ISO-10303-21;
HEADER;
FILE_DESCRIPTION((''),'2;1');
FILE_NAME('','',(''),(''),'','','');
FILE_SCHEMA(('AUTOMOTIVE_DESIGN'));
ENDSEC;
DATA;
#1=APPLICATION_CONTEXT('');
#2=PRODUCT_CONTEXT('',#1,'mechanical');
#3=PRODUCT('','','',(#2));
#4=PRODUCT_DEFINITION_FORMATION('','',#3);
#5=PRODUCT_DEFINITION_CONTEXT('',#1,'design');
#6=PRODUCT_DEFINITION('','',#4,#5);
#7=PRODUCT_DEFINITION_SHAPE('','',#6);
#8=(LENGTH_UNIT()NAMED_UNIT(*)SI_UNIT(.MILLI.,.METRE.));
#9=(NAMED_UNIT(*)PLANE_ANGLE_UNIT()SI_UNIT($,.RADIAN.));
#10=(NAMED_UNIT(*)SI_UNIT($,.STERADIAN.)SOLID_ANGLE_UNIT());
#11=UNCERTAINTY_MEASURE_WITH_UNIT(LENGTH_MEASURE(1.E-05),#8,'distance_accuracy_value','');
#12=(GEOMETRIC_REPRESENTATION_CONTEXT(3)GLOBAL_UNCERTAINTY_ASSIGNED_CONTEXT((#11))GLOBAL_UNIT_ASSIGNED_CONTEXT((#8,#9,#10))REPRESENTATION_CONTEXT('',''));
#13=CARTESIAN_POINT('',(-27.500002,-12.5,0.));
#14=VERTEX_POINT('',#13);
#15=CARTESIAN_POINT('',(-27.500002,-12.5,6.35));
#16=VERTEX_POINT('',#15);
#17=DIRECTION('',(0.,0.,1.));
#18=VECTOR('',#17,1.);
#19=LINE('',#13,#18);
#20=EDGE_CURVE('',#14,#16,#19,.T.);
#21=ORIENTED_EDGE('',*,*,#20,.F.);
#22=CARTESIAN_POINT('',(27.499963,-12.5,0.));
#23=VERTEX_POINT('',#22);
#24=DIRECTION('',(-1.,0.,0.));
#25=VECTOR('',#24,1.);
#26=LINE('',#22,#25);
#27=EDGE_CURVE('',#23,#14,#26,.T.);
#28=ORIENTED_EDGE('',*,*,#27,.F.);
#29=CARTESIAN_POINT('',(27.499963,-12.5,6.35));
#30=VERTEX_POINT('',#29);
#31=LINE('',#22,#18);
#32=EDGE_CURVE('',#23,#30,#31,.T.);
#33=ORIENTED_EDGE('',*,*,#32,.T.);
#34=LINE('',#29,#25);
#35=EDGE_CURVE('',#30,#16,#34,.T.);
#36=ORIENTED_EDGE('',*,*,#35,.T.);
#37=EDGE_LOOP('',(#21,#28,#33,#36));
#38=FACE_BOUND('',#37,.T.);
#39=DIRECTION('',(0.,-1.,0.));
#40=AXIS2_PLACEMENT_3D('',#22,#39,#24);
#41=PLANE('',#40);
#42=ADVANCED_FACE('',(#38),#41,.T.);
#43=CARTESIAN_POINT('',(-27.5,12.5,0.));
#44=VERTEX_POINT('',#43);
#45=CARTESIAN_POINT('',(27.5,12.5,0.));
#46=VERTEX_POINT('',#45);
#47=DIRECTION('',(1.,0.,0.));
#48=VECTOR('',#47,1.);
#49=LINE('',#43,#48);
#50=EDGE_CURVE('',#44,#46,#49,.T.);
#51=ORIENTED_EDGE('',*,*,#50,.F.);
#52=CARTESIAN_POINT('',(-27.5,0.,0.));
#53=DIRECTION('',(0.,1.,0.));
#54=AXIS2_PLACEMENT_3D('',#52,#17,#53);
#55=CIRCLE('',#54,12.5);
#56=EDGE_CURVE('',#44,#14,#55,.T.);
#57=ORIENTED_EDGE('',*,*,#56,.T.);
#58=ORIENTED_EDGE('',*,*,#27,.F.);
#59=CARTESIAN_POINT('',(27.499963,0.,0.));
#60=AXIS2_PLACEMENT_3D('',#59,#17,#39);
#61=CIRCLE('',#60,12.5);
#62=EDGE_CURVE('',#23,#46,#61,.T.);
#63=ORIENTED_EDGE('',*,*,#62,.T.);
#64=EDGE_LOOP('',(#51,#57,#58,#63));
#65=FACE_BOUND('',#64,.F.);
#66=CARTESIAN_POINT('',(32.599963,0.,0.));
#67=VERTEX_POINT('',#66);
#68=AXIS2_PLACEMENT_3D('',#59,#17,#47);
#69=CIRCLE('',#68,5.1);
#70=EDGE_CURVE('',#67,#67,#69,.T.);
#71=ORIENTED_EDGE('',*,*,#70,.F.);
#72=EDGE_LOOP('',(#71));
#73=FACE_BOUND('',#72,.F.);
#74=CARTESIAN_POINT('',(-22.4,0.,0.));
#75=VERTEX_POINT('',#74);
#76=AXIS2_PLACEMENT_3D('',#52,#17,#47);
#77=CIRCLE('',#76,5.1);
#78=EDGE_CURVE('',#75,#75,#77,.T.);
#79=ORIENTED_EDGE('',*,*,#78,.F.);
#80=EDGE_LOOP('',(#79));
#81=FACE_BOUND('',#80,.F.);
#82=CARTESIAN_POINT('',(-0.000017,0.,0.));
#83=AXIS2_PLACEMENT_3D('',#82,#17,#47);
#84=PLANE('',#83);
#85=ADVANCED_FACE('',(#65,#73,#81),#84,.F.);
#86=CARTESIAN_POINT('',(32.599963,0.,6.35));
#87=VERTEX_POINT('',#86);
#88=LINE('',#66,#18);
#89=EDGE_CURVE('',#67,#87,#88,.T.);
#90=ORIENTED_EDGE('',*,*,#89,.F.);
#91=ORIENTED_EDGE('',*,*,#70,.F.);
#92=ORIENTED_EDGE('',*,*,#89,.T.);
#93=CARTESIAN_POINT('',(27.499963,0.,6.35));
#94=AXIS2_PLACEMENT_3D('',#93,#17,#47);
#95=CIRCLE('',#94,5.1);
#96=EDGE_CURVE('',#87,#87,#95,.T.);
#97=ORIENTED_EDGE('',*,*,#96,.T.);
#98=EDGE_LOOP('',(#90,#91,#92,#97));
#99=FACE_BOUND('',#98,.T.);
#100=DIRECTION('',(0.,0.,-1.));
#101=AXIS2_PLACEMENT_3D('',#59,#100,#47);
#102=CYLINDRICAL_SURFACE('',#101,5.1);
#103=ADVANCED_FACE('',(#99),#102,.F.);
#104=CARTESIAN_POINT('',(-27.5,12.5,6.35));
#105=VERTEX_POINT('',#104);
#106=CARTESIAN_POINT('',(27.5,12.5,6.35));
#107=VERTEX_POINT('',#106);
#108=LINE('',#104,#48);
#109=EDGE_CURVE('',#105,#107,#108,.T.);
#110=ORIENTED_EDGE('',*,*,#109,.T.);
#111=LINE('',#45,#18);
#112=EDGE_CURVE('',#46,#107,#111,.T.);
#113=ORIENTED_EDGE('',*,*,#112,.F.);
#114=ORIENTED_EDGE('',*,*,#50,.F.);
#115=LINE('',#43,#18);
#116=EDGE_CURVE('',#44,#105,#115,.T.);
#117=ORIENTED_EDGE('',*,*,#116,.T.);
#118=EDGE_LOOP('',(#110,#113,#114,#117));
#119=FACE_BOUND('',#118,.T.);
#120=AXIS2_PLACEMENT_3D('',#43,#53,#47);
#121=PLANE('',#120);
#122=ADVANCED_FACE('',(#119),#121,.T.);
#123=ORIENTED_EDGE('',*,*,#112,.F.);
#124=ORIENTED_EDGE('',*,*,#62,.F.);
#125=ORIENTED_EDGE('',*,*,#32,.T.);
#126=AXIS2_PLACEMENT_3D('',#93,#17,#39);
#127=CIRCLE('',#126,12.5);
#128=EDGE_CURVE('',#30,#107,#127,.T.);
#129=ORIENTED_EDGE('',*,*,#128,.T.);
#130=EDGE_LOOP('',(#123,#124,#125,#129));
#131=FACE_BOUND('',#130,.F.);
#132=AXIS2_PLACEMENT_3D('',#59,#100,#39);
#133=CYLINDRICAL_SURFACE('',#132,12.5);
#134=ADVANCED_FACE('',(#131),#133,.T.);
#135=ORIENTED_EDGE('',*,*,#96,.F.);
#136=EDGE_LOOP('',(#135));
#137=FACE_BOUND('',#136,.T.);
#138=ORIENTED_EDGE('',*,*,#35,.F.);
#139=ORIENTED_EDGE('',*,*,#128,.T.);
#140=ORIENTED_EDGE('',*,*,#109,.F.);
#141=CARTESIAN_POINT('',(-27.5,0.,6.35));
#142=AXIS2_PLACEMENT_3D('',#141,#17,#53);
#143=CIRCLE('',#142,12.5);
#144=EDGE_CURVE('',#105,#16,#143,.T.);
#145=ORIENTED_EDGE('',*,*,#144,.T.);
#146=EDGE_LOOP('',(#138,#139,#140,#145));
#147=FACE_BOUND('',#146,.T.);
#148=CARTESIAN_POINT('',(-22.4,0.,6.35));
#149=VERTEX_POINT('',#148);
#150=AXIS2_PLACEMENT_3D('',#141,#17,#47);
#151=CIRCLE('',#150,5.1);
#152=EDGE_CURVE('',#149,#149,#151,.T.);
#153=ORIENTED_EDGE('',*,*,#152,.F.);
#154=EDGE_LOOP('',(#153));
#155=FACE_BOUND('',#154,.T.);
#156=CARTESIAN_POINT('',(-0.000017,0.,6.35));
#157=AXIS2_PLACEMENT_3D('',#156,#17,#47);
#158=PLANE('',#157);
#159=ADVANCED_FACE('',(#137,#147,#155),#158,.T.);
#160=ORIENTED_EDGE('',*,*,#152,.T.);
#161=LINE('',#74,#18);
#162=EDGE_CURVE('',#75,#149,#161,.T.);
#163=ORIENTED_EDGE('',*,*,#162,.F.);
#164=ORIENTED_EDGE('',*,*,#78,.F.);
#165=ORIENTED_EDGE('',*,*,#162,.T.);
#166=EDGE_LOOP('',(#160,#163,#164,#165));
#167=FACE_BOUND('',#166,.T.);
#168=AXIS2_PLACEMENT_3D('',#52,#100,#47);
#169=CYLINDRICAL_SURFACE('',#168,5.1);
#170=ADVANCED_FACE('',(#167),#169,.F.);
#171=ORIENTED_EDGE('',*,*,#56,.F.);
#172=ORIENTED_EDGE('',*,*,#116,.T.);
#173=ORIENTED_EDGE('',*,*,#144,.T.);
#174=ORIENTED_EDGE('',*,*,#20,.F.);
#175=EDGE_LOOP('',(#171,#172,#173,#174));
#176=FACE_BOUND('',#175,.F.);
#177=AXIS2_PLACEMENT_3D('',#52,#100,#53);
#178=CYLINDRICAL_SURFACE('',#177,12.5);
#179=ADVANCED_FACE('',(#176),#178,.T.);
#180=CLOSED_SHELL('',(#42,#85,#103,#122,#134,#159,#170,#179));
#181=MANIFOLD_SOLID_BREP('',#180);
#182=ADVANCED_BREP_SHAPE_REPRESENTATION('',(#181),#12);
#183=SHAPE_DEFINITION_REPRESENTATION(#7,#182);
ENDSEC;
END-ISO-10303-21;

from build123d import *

# Parameters (mm, degrees)
SKETCH_R  = 5.1
PAD_DEPTH = 6.35


with BuildPart() as part:
    # Sketch → Pad (new body)
    with BuildSketch(Plane.XY):
        with BuildLine():
            ThreePointArc((-27.5, 12.5), (-40, 1e-06), (-27.500002, -12.5))
            Line((27.499963, -12.5), (-27.500002, -12.5))
            ThreePointArc((27.499963, -12.5), (39.999963, -1.8e-05), (27.5, 12.5))
            Line((-27.5, 12.5), (27.5, 12.5))
        make_face()
        with Locations((-27.5, 0)):
            Circle(SKETCH_R, mode=Mode.SUBTRACT)
        with Locations((27.499963, 0)):
            Circle(SKETCH_R, mode=Mode.SUBTRACT)
    extrude(amount=PAD_DEPTH)


solid = part.part
